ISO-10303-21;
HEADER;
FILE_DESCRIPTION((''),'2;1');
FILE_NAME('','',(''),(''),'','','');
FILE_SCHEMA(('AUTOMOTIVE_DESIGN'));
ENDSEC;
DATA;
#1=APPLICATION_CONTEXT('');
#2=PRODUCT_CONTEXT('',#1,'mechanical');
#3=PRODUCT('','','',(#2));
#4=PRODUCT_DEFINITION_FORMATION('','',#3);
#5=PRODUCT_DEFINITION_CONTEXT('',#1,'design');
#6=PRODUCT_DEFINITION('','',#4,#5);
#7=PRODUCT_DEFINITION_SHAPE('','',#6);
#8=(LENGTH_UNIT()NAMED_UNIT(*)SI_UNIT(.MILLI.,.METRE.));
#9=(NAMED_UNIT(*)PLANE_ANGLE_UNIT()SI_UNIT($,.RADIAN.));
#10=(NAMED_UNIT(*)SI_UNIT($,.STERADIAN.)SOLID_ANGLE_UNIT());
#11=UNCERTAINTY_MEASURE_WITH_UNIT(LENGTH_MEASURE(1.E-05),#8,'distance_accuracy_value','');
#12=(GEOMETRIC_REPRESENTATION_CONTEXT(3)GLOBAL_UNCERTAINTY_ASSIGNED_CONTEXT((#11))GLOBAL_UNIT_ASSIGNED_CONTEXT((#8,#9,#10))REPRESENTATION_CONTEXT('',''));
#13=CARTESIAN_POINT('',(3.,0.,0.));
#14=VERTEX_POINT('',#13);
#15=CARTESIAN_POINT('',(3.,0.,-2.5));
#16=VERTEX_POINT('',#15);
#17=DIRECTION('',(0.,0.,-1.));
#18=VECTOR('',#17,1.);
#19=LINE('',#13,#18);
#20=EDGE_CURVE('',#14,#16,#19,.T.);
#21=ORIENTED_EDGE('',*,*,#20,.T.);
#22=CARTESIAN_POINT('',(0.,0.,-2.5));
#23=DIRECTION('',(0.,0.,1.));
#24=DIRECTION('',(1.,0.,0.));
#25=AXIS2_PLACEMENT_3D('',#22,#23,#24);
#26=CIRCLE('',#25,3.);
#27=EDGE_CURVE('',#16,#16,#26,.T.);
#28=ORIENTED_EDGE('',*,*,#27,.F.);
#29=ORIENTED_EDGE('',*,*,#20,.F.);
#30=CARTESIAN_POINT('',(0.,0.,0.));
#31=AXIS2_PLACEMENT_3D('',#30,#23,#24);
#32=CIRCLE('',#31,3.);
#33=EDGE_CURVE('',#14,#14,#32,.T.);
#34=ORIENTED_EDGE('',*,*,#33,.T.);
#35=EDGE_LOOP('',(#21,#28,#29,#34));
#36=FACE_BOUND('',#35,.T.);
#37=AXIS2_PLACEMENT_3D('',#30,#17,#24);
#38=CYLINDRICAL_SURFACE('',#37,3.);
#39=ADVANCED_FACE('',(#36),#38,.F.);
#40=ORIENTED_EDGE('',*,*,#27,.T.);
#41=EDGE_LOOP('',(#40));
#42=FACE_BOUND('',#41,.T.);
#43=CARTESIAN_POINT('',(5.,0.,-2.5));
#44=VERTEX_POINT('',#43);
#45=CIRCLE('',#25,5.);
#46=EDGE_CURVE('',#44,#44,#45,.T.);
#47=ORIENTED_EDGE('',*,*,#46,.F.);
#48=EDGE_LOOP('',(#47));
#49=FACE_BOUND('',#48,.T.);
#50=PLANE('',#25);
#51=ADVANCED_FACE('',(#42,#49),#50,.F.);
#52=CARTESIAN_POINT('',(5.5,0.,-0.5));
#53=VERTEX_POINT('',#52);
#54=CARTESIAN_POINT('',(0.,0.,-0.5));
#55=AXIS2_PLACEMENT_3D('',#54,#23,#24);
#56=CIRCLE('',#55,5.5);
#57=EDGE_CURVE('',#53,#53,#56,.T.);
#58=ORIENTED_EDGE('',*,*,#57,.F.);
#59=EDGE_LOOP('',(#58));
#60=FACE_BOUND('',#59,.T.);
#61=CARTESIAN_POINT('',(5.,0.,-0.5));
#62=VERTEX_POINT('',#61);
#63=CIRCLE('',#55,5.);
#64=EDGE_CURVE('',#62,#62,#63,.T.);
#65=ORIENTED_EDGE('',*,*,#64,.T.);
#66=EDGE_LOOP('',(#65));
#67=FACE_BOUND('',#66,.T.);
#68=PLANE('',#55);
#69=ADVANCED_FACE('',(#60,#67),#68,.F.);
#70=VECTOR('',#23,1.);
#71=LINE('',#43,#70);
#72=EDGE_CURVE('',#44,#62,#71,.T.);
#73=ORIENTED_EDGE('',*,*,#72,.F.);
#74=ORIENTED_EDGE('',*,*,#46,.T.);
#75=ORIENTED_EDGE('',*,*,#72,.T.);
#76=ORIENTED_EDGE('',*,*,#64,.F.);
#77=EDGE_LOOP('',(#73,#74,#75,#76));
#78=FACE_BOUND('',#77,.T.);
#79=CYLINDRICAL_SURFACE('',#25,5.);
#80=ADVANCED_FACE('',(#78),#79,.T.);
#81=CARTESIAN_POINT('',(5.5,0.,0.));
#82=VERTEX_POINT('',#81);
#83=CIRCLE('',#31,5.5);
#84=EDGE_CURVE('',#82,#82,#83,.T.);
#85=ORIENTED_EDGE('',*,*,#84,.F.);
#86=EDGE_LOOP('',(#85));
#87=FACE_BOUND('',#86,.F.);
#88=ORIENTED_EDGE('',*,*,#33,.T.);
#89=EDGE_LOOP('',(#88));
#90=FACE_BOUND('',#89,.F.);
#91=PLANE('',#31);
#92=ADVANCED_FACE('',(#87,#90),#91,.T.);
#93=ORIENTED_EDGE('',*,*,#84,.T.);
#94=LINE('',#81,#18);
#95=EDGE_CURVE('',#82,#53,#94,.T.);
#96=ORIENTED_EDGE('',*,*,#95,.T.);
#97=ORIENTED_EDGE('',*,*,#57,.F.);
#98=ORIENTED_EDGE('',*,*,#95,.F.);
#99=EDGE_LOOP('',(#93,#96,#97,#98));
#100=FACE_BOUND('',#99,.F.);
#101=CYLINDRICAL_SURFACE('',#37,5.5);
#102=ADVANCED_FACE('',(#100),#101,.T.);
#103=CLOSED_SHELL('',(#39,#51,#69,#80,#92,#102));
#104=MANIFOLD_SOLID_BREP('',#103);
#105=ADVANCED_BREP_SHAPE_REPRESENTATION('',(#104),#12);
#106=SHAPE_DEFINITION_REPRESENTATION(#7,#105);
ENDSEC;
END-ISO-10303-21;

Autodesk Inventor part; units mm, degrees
ref_plane "YZ Plane" through (0, 0, 0) normal (1, 0, 0) x (0, 1, 0)
ref_plane "XZ Plane" through (0, 0, 0) normal (0, 1, 0) x (-1, 0, 0)
ref_plane "XY Plane" through (0, 0, 0) normal (0, 0, 1) x (1, 0, 0)
sketch "スケッチ1" plane through (0, 0, 0) normal (0, 1, 0) x (-1, 0, 0)
  line L0 (0, 0) -> (-3, 0) construction
  line L1 (-3, 0) -> (-5.5, 0)
  line L2 (-5.5, 0) -> (-5.5, -0.5)
  line L3 (-3, 0) -> (-3, -2.5)
  line L4 (-3, -2.5) -> (-5, -2.5)
  line L5 (-5, -2.5) -> (-5, -0.5)
  line L6 (-5, -0.5) -> (-5.5, -0.5)
  line L7 (0, -3) -> (0, 0.5) projected
  dimension "d0" = 3
  dimension "d1" = 2.5
  dimension "d2" = 0.5
  dimension "d3" = 2.5
  dimension "d4" = 2
revolve "回転1" add sketch "スケッチ1" angle 360 about axis through (0, 0, -10) along (0, 0, 1)
properties part number "bear_f6_sa_1" material "ステンレス鋼"
